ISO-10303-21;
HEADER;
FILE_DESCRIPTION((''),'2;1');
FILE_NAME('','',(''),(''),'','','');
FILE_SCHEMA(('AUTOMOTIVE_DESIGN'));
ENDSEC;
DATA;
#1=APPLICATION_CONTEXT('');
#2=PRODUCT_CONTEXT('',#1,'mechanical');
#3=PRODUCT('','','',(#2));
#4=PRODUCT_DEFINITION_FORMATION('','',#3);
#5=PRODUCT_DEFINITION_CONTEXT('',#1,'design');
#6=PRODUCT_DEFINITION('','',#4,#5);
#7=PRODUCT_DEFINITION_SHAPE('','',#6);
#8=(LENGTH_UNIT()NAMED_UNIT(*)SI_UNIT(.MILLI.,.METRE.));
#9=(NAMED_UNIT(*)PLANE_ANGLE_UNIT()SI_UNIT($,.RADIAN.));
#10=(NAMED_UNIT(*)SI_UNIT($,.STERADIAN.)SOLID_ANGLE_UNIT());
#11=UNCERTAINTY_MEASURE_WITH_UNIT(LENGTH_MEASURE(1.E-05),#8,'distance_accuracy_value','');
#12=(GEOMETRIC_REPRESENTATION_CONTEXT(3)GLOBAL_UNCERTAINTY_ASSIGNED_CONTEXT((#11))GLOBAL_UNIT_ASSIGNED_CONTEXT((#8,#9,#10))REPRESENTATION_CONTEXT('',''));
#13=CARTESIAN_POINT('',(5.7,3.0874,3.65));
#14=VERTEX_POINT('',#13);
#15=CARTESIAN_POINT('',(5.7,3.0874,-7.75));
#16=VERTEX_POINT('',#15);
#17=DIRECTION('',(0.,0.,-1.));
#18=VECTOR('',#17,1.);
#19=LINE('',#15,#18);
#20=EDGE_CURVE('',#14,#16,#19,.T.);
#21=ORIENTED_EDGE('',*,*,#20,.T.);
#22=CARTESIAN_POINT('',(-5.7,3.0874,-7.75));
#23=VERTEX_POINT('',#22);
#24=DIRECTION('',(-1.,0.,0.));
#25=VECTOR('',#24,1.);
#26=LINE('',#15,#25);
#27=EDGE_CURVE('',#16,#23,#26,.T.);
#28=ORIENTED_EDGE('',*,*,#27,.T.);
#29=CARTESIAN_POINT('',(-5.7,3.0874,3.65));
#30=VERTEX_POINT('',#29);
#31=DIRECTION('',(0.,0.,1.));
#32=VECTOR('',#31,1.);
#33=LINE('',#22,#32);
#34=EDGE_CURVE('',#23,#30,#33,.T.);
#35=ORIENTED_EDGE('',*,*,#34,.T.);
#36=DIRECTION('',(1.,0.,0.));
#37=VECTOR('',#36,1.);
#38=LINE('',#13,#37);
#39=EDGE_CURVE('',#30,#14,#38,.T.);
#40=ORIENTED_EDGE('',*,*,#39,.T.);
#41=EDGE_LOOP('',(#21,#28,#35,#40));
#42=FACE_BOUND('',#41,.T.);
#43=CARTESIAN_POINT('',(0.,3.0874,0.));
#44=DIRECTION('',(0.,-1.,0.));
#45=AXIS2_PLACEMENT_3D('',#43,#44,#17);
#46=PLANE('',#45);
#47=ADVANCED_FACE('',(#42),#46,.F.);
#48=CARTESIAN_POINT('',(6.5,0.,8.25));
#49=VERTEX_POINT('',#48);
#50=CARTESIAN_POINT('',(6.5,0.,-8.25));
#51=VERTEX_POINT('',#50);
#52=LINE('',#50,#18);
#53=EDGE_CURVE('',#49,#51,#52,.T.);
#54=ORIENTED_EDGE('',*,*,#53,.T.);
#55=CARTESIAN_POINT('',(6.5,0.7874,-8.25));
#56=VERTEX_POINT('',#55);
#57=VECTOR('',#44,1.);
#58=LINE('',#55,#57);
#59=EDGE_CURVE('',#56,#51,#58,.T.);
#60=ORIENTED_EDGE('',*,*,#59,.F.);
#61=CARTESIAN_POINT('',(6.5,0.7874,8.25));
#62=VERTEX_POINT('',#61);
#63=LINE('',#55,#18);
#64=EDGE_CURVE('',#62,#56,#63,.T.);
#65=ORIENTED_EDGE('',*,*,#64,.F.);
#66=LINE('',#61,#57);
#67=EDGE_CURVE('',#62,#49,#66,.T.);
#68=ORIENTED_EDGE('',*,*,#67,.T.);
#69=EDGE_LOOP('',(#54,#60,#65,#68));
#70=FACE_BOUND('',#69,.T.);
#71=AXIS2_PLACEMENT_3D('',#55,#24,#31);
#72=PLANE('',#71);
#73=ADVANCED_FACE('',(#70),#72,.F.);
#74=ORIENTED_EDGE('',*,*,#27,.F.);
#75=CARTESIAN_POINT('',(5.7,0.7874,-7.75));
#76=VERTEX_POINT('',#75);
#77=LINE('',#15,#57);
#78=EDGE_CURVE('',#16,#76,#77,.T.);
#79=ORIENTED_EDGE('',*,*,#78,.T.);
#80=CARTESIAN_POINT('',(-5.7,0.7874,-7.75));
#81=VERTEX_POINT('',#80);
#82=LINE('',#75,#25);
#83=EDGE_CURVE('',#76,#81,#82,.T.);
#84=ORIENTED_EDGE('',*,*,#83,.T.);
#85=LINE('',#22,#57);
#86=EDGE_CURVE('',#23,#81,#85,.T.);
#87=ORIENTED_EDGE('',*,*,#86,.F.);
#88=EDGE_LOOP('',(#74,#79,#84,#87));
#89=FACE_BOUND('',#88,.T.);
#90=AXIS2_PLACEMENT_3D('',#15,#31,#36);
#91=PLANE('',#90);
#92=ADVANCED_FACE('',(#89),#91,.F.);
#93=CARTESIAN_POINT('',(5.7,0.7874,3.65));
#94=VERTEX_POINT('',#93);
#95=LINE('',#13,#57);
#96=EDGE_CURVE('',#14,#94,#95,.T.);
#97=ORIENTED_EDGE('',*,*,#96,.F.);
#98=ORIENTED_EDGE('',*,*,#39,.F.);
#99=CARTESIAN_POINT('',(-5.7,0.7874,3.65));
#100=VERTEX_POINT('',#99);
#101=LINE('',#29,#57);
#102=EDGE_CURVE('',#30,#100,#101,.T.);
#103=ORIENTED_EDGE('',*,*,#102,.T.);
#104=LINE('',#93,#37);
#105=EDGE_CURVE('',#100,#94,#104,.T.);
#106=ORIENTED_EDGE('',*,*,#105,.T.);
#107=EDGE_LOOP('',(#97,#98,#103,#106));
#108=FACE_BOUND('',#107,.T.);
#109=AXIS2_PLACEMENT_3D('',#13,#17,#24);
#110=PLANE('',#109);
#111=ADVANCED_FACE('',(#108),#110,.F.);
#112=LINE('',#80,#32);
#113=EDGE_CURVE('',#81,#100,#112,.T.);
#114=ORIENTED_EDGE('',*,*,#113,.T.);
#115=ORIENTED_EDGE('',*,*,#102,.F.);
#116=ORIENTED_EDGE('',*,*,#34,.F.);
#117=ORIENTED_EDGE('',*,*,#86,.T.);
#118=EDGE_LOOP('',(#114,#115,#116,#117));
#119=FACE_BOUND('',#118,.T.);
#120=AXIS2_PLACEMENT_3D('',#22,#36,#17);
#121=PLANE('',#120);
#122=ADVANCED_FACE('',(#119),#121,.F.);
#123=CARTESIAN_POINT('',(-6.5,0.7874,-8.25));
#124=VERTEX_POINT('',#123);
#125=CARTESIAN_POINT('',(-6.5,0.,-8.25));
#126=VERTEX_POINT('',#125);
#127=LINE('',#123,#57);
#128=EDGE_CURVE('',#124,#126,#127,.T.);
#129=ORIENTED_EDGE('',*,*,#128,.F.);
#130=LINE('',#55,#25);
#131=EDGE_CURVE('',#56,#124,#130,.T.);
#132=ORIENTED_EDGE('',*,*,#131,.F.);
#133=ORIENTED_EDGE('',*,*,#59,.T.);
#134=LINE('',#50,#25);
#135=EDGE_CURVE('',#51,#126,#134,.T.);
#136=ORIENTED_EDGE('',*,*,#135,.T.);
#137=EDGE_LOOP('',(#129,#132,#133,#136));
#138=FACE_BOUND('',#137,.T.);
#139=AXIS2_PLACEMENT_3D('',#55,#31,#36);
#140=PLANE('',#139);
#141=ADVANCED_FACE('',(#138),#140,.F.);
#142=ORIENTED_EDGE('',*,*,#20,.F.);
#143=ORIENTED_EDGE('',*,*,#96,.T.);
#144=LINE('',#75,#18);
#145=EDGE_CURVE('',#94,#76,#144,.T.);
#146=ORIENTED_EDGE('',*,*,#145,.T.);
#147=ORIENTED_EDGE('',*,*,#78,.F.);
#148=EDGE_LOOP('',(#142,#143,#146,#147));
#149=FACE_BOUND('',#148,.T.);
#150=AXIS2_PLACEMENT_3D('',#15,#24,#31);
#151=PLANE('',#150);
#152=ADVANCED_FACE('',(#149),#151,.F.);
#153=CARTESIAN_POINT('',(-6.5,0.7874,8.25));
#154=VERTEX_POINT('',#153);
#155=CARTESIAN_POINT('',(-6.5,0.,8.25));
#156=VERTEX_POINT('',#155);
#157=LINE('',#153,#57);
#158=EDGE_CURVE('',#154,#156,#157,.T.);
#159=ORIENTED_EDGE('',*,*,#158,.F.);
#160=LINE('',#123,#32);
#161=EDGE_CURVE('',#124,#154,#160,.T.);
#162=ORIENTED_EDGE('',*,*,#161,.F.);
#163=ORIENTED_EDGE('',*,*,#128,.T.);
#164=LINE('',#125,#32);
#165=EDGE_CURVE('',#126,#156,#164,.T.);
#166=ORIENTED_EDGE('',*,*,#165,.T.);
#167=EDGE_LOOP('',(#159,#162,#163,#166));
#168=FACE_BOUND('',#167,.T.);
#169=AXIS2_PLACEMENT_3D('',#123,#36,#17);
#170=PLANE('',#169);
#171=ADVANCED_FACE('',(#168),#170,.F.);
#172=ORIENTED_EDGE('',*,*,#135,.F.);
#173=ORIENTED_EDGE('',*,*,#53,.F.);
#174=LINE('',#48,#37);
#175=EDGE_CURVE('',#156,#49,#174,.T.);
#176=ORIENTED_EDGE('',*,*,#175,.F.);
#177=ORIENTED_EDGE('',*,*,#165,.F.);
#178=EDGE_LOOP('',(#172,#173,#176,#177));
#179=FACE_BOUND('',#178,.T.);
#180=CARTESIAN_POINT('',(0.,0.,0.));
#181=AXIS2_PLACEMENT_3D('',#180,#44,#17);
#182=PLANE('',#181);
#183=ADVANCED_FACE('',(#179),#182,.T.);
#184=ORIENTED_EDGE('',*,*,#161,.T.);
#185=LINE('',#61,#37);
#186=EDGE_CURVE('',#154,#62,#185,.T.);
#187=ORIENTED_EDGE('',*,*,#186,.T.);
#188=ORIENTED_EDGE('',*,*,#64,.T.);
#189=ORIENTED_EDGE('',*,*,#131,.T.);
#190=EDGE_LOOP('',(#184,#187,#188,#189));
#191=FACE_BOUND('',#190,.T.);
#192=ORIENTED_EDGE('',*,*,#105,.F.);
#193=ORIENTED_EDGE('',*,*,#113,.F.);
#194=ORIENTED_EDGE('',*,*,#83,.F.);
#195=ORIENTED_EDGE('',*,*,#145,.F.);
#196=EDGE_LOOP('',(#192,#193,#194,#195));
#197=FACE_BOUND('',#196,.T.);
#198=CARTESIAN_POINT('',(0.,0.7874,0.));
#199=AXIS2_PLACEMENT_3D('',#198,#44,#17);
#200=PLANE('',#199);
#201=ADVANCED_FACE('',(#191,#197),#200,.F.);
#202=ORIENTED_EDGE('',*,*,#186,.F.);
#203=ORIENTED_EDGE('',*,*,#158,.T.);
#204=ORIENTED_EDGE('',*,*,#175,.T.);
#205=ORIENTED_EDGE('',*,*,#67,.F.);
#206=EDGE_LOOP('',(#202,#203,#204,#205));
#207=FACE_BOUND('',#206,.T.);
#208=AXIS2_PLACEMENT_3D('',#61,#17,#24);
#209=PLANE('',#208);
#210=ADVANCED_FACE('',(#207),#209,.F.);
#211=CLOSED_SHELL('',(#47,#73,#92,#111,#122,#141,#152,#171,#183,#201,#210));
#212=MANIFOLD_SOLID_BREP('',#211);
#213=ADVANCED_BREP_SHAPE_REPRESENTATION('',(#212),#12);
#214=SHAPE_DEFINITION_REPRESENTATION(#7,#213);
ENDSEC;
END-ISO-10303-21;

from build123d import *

# Parameters (mm, degrees)
SKETCH1_W           = 13
SKETCH1_H           = 16.5
BOSS_EXTRUDE1_DEPTH = 0.7874
SKETCH2_W           = 11.4
SKETCH2_H           = 11.4
BOSS_EXTRUDE2_DEPTH = 2.3


with BuildPart() as part:
    # Sketch1 → Boss-Extrude1 (new body)
    with BuildSketch(Plane(origin=(0, 0, 0), x_dir=(1, 0, 0), z_dir=(0, 1, 0))):
        Rectangle(SKETCH1_W, SKETCH1_H)
    extrude(amount=BOSS_EXTRUDE1_DEPTH)

    # Sketch2 → Boss-Extrude2 (add)
    with BuildSketch(Plane(origin=(0, 0.7874, 0), x_dir=(1, 0, 0), z_dir=(0, 1, 0))):
        with Locations((0, 2.05)):
            Rectangle(SKETCH2_W, SKETCH2_H)
    extrude(amount=BOSS_EXTRUDE2_DEPTH)


solid = part.part
